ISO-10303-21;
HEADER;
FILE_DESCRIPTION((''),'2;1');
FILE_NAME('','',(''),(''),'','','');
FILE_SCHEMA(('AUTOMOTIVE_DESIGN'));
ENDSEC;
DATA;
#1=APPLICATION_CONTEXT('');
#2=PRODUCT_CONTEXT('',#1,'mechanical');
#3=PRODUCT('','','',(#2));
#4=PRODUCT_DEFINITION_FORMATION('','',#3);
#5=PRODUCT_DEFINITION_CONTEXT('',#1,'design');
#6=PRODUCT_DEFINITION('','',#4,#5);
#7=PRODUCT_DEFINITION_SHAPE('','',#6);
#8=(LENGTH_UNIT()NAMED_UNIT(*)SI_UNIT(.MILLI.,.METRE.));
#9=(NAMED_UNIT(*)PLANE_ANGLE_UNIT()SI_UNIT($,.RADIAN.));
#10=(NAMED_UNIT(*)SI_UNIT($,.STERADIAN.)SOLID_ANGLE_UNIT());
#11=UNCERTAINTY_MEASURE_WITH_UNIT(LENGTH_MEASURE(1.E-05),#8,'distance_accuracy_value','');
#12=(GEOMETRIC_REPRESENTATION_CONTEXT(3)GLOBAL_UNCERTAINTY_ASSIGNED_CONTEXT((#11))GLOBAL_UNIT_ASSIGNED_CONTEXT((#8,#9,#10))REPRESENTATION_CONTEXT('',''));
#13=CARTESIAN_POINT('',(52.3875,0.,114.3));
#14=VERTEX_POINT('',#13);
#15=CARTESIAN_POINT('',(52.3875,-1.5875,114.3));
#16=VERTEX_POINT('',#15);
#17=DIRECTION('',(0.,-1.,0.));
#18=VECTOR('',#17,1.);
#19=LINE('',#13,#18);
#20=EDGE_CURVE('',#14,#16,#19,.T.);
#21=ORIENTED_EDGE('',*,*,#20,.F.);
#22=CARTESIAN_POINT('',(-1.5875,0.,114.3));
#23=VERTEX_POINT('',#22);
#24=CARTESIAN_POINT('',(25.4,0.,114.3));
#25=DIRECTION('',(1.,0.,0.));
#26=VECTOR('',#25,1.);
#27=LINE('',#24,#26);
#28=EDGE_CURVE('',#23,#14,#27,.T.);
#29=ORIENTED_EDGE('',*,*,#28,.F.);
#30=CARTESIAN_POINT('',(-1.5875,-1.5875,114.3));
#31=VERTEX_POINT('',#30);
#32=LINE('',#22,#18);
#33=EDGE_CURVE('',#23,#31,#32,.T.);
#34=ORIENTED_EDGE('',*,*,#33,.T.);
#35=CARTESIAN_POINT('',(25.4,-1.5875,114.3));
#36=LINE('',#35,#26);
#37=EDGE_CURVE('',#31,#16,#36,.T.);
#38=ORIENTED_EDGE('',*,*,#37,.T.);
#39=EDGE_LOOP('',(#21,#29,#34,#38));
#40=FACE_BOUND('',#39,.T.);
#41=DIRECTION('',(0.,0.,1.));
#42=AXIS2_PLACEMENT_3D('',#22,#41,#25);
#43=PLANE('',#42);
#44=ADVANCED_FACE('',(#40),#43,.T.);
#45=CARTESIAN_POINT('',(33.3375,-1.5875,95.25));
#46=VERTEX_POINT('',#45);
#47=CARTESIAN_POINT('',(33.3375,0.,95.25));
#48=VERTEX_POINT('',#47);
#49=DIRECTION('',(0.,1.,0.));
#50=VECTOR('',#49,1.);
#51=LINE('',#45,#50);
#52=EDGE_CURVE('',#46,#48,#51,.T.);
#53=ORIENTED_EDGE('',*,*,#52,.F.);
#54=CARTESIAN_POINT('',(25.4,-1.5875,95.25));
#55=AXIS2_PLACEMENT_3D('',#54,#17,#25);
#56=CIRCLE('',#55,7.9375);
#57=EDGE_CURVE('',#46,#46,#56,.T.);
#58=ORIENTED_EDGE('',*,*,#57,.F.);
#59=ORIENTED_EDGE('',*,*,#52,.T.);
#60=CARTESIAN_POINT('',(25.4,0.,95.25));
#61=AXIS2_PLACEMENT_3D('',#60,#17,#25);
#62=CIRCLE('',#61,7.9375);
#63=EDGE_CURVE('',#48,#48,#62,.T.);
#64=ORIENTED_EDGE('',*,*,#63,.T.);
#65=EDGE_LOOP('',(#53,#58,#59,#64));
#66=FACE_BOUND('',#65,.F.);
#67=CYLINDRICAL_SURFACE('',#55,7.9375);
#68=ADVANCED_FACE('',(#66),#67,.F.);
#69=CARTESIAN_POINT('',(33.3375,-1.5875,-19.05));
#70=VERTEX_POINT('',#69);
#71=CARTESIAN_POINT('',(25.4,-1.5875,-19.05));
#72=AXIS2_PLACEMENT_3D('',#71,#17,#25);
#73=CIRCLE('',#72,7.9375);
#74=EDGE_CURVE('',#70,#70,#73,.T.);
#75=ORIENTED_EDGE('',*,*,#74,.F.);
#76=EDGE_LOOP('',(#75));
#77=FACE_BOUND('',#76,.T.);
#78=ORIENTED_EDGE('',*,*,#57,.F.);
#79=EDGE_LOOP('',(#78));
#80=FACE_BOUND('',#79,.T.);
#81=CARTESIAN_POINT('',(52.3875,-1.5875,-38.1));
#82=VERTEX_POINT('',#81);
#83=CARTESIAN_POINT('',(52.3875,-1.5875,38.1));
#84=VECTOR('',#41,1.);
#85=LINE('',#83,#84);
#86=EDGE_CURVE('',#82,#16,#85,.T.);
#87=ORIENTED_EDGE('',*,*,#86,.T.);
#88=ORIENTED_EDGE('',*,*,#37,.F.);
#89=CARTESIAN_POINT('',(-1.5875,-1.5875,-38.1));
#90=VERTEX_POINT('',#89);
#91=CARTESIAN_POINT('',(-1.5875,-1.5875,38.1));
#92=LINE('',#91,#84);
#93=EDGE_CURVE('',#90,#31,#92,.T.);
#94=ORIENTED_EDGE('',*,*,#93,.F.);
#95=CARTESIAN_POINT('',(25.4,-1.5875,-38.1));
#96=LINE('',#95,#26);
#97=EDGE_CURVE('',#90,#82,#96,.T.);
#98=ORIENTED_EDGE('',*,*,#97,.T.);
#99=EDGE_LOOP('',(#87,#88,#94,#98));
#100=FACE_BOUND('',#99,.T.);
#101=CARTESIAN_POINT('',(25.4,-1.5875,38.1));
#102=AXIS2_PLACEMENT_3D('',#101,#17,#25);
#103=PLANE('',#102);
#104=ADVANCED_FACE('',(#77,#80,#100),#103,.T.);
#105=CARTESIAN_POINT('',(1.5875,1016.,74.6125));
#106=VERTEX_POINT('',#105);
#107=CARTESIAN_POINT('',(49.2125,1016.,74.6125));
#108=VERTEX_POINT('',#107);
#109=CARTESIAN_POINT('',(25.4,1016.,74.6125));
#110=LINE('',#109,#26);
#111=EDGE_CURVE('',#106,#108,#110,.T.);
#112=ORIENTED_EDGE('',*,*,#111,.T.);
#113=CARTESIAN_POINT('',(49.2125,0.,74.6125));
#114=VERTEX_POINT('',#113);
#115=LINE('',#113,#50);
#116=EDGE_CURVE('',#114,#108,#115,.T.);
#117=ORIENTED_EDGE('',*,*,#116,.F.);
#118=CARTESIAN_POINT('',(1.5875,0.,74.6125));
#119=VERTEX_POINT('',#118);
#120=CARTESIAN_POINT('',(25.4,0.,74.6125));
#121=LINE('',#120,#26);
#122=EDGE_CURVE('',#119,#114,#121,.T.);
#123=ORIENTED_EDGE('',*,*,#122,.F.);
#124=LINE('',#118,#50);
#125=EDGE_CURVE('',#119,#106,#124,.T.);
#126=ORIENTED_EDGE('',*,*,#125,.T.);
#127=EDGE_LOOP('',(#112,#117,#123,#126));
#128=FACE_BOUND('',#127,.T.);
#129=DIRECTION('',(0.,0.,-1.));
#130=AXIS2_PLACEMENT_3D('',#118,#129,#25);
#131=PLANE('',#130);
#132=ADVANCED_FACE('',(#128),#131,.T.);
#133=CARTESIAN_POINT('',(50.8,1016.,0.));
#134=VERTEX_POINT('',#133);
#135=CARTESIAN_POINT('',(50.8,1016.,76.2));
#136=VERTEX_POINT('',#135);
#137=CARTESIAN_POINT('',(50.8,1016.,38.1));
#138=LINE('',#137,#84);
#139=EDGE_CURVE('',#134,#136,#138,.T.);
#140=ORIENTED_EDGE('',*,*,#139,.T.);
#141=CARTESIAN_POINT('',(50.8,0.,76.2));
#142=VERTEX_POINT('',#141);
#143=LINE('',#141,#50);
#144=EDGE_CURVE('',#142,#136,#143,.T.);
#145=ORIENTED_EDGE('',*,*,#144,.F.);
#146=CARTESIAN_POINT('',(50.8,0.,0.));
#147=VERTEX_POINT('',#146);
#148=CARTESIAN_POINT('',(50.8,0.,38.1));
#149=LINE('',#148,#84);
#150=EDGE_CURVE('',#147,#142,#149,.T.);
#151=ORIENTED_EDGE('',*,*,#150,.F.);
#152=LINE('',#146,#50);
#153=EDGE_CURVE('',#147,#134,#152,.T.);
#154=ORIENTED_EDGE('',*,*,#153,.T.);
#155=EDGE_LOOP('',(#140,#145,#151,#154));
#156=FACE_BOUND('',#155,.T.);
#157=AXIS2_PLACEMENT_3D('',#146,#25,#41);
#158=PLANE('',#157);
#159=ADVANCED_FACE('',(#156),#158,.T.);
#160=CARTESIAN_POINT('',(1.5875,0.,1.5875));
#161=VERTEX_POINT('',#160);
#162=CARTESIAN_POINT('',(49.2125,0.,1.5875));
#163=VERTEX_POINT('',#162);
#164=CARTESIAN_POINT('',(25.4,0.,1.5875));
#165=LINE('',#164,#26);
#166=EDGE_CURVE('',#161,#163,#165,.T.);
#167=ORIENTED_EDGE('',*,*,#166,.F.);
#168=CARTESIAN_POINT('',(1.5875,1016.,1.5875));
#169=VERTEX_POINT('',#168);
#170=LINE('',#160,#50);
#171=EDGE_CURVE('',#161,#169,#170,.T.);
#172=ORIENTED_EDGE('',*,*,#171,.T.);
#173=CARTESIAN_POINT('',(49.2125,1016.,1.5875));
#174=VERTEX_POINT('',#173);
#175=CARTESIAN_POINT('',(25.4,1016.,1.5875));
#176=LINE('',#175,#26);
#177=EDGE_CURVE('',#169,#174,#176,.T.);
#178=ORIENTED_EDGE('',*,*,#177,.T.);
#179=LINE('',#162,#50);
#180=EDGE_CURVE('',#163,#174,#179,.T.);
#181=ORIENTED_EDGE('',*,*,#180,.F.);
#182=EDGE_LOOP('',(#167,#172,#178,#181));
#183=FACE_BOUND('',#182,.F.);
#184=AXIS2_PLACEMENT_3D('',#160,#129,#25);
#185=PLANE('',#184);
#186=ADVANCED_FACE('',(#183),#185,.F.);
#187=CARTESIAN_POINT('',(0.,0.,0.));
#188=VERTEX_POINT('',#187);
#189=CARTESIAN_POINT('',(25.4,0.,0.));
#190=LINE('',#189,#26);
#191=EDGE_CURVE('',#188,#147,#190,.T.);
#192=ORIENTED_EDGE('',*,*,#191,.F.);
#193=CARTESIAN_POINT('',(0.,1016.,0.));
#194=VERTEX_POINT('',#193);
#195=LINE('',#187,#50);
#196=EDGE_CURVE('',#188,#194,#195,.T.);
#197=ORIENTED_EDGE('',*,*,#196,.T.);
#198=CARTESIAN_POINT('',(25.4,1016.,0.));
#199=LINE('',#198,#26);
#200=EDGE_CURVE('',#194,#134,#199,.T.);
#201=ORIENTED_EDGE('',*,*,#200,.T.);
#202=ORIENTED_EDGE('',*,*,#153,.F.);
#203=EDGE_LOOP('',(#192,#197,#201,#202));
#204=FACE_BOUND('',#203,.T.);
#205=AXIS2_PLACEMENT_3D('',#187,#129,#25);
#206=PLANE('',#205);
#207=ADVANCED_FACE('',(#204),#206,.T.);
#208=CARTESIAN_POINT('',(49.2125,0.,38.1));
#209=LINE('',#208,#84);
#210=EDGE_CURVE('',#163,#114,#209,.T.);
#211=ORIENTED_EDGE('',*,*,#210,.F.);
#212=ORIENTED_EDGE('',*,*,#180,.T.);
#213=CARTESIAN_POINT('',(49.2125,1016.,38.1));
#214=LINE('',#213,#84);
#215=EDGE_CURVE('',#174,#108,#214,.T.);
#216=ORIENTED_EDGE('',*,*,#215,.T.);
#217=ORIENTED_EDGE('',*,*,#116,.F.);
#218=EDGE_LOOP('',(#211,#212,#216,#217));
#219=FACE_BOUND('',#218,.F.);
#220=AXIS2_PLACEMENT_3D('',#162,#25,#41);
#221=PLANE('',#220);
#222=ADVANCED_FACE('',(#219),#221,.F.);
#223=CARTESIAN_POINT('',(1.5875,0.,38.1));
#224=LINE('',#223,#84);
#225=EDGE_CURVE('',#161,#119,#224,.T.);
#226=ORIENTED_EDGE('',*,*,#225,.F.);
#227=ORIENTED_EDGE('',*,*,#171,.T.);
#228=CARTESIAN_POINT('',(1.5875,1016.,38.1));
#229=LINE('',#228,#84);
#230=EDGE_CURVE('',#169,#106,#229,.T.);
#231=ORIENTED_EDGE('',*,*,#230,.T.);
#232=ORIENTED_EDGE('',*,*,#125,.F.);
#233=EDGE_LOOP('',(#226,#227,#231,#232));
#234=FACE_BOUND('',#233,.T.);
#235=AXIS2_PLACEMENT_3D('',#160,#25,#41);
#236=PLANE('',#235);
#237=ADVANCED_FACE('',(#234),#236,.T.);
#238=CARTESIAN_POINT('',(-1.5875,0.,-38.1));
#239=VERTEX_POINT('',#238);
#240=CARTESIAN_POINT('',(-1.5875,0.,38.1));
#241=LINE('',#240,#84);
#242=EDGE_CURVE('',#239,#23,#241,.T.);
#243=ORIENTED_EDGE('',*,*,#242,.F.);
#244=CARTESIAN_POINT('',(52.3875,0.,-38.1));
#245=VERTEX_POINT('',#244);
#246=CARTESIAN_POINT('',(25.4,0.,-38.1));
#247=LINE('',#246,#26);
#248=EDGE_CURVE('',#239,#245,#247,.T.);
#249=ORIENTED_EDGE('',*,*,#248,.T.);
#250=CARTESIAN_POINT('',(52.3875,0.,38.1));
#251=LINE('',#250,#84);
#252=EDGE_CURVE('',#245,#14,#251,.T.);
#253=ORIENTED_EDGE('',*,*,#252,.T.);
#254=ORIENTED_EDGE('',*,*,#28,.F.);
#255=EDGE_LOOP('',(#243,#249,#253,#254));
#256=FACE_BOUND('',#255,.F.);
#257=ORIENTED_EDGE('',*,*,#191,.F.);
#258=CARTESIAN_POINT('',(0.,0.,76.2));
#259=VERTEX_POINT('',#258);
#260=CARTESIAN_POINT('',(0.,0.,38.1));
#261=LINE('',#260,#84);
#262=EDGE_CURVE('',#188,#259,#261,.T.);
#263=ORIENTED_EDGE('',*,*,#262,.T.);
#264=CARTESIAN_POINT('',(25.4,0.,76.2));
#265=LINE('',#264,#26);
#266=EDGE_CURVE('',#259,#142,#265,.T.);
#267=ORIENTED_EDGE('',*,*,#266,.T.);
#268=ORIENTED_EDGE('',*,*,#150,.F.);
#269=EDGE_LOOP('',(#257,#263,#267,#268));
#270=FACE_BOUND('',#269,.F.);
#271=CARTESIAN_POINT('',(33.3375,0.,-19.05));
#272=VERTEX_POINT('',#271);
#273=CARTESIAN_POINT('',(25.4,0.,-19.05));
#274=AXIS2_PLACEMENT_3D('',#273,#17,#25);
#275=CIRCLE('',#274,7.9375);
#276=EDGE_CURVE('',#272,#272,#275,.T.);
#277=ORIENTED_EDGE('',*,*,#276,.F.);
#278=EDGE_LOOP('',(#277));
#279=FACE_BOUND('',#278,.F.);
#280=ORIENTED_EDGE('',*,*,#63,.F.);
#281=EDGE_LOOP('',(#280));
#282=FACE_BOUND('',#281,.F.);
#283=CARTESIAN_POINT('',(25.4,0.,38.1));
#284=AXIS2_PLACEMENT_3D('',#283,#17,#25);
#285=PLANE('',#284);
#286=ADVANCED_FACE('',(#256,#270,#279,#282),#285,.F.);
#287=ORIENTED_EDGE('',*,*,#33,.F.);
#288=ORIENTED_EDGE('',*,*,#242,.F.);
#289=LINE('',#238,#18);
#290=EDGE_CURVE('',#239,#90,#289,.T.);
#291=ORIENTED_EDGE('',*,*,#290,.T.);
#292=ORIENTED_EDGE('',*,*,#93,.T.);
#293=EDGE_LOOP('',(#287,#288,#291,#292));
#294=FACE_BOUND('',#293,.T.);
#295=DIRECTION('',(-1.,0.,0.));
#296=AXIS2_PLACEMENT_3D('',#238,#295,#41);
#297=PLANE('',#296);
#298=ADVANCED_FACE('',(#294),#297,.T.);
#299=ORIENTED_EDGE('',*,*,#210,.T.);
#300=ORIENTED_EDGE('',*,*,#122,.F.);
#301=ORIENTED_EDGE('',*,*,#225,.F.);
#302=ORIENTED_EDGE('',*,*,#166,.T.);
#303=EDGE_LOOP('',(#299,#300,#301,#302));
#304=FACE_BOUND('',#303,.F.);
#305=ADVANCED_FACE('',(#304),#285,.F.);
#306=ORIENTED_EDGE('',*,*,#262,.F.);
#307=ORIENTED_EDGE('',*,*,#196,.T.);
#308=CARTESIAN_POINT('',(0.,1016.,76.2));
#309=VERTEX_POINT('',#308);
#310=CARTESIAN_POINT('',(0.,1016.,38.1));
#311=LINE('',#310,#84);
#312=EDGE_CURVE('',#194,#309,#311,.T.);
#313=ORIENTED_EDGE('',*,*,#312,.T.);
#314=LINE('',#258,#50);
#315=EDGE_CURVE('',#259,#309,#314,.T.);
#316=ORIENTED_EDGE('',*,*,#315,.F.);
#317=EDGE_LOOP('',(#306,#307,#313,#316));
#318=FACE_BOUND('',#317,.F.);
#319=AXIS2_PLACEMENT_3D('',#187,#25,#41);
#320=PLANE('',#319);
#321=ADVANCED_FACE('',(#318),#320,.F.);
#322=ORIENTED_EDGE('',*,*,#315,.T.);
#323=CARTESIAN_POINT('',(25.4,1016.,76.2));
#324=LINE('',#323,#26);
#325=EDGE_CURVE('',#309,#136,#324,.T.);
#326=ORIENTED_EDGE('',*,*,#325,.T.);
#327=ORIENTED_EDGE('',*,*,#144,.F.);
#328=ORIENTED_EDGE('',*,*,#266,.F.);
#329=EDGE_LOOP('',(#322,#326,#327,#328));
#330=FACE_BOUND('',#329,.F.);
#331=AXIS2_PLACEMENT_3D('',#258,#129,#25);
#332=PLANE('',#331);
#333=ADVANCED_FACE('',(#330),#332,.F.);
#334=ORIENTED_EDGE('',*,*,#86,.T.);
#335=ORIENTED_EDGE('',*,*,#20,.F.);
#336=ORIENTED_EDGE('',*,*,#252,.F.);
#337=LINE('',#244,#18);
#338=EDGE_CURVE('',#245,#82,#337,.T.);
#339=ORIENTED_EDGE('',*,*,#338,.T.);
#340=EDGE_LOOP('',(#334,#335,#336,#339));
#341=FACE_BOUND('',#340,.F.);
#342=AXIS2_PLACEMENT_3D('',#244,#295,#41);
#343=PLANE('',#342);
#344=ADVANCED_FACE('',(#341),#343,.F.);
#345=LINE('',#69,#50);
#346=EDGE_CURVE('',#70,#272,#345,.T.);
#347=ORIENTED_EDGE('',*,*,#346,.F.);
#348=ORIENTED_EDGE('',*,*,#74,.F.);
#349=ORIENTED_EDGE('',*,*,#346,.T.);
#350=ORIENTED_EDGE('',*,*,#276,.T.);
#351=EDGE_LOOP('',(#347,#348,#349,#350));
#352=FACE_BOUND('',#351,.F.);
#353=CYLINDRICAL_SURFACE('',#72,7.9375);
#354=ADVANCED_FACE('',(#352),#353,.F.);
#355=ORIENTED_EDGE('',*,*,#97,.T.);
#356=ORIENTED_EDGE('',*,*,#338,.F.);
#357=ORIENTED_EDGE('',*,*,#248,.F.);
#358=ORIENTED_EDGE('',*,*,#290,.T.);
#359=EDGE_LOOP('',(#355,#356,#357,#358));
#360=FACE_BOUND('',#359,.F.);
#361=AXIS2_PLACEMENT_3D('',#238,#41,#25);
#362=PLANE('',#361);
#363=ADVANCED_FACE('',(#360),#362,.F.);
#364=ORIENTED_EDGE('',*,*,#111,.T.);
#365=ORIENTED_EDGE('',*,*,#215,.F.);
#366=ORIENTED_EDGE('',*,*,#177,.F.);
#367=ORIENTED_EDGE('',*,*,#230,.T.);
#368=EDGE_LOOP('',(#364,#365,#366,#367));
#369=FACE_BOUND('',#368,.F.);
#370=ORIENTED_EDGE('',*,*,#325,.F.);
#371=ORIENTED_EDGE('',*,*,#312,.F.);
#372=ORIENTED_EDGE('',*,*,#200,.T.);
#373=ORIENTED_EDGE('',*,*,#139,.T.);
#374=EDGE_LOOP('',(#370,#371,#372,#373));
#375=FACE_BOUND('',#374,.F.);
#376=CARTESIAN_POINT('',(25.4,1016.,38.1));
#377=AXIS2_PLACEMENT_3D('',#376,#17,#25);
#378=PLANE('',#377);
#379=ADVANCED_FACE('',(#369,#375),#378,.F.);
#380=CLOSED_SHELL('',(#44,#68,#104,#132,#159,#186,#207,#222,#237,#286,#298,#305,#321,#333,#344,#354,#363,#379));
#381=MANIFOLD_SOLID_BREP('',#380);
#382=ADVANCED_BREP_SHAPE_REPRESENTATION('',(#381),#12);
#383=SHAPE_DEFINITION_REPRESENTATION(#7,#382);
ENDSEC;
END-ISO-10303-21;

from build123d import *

# Parameters (mm, degrees)
F0_W     = 50.8
F0_H     = 76.2
F0_W_2   = 47.625
F0_H_2   = 73.025
F1_DEPTH = 1016
F2_W     = 53.975
F2_H     = 152.4
F3_DEPTH = 1.5875
F4_R     = 7.9375
F5_DEPTH = 1.5875


with BuildPart() as f1:
    # F0 (on Front) → F1 (new body)
    with BuildSketch(Plane.XZ):
        with Locations((25.4, 38.1)):
            Rectangle(F0_W, F0_H)
        with Locations((25.4, 38.1)):
            Rectangle(F0_W_2, F0_H_2, mode=Mode.SUBTRACT)
    extrude(amount=-F1_DEPTH)

    # F2 (on face) → F3 (join)
    with BuildSketch(Plane.XZ):
        with Locations((25.4, 38.1)):
            Rectangle(F2_W, F2_H)
    extrude(amount=F3_DEPTH)

    # F4 (on face) → F5 (cut, through all)
    with BuildSketch(Plane.XZ.offset(1.5875)):
        with Locations((25.4, 95.25)):
            Circle(F4_R)
        with Locations((25.4, -19.05)):
            Circle(F4_R)
    extrude(amount=-F5_DEPTH, mode=Mode.SUBTRACT)


solid = f1.part
